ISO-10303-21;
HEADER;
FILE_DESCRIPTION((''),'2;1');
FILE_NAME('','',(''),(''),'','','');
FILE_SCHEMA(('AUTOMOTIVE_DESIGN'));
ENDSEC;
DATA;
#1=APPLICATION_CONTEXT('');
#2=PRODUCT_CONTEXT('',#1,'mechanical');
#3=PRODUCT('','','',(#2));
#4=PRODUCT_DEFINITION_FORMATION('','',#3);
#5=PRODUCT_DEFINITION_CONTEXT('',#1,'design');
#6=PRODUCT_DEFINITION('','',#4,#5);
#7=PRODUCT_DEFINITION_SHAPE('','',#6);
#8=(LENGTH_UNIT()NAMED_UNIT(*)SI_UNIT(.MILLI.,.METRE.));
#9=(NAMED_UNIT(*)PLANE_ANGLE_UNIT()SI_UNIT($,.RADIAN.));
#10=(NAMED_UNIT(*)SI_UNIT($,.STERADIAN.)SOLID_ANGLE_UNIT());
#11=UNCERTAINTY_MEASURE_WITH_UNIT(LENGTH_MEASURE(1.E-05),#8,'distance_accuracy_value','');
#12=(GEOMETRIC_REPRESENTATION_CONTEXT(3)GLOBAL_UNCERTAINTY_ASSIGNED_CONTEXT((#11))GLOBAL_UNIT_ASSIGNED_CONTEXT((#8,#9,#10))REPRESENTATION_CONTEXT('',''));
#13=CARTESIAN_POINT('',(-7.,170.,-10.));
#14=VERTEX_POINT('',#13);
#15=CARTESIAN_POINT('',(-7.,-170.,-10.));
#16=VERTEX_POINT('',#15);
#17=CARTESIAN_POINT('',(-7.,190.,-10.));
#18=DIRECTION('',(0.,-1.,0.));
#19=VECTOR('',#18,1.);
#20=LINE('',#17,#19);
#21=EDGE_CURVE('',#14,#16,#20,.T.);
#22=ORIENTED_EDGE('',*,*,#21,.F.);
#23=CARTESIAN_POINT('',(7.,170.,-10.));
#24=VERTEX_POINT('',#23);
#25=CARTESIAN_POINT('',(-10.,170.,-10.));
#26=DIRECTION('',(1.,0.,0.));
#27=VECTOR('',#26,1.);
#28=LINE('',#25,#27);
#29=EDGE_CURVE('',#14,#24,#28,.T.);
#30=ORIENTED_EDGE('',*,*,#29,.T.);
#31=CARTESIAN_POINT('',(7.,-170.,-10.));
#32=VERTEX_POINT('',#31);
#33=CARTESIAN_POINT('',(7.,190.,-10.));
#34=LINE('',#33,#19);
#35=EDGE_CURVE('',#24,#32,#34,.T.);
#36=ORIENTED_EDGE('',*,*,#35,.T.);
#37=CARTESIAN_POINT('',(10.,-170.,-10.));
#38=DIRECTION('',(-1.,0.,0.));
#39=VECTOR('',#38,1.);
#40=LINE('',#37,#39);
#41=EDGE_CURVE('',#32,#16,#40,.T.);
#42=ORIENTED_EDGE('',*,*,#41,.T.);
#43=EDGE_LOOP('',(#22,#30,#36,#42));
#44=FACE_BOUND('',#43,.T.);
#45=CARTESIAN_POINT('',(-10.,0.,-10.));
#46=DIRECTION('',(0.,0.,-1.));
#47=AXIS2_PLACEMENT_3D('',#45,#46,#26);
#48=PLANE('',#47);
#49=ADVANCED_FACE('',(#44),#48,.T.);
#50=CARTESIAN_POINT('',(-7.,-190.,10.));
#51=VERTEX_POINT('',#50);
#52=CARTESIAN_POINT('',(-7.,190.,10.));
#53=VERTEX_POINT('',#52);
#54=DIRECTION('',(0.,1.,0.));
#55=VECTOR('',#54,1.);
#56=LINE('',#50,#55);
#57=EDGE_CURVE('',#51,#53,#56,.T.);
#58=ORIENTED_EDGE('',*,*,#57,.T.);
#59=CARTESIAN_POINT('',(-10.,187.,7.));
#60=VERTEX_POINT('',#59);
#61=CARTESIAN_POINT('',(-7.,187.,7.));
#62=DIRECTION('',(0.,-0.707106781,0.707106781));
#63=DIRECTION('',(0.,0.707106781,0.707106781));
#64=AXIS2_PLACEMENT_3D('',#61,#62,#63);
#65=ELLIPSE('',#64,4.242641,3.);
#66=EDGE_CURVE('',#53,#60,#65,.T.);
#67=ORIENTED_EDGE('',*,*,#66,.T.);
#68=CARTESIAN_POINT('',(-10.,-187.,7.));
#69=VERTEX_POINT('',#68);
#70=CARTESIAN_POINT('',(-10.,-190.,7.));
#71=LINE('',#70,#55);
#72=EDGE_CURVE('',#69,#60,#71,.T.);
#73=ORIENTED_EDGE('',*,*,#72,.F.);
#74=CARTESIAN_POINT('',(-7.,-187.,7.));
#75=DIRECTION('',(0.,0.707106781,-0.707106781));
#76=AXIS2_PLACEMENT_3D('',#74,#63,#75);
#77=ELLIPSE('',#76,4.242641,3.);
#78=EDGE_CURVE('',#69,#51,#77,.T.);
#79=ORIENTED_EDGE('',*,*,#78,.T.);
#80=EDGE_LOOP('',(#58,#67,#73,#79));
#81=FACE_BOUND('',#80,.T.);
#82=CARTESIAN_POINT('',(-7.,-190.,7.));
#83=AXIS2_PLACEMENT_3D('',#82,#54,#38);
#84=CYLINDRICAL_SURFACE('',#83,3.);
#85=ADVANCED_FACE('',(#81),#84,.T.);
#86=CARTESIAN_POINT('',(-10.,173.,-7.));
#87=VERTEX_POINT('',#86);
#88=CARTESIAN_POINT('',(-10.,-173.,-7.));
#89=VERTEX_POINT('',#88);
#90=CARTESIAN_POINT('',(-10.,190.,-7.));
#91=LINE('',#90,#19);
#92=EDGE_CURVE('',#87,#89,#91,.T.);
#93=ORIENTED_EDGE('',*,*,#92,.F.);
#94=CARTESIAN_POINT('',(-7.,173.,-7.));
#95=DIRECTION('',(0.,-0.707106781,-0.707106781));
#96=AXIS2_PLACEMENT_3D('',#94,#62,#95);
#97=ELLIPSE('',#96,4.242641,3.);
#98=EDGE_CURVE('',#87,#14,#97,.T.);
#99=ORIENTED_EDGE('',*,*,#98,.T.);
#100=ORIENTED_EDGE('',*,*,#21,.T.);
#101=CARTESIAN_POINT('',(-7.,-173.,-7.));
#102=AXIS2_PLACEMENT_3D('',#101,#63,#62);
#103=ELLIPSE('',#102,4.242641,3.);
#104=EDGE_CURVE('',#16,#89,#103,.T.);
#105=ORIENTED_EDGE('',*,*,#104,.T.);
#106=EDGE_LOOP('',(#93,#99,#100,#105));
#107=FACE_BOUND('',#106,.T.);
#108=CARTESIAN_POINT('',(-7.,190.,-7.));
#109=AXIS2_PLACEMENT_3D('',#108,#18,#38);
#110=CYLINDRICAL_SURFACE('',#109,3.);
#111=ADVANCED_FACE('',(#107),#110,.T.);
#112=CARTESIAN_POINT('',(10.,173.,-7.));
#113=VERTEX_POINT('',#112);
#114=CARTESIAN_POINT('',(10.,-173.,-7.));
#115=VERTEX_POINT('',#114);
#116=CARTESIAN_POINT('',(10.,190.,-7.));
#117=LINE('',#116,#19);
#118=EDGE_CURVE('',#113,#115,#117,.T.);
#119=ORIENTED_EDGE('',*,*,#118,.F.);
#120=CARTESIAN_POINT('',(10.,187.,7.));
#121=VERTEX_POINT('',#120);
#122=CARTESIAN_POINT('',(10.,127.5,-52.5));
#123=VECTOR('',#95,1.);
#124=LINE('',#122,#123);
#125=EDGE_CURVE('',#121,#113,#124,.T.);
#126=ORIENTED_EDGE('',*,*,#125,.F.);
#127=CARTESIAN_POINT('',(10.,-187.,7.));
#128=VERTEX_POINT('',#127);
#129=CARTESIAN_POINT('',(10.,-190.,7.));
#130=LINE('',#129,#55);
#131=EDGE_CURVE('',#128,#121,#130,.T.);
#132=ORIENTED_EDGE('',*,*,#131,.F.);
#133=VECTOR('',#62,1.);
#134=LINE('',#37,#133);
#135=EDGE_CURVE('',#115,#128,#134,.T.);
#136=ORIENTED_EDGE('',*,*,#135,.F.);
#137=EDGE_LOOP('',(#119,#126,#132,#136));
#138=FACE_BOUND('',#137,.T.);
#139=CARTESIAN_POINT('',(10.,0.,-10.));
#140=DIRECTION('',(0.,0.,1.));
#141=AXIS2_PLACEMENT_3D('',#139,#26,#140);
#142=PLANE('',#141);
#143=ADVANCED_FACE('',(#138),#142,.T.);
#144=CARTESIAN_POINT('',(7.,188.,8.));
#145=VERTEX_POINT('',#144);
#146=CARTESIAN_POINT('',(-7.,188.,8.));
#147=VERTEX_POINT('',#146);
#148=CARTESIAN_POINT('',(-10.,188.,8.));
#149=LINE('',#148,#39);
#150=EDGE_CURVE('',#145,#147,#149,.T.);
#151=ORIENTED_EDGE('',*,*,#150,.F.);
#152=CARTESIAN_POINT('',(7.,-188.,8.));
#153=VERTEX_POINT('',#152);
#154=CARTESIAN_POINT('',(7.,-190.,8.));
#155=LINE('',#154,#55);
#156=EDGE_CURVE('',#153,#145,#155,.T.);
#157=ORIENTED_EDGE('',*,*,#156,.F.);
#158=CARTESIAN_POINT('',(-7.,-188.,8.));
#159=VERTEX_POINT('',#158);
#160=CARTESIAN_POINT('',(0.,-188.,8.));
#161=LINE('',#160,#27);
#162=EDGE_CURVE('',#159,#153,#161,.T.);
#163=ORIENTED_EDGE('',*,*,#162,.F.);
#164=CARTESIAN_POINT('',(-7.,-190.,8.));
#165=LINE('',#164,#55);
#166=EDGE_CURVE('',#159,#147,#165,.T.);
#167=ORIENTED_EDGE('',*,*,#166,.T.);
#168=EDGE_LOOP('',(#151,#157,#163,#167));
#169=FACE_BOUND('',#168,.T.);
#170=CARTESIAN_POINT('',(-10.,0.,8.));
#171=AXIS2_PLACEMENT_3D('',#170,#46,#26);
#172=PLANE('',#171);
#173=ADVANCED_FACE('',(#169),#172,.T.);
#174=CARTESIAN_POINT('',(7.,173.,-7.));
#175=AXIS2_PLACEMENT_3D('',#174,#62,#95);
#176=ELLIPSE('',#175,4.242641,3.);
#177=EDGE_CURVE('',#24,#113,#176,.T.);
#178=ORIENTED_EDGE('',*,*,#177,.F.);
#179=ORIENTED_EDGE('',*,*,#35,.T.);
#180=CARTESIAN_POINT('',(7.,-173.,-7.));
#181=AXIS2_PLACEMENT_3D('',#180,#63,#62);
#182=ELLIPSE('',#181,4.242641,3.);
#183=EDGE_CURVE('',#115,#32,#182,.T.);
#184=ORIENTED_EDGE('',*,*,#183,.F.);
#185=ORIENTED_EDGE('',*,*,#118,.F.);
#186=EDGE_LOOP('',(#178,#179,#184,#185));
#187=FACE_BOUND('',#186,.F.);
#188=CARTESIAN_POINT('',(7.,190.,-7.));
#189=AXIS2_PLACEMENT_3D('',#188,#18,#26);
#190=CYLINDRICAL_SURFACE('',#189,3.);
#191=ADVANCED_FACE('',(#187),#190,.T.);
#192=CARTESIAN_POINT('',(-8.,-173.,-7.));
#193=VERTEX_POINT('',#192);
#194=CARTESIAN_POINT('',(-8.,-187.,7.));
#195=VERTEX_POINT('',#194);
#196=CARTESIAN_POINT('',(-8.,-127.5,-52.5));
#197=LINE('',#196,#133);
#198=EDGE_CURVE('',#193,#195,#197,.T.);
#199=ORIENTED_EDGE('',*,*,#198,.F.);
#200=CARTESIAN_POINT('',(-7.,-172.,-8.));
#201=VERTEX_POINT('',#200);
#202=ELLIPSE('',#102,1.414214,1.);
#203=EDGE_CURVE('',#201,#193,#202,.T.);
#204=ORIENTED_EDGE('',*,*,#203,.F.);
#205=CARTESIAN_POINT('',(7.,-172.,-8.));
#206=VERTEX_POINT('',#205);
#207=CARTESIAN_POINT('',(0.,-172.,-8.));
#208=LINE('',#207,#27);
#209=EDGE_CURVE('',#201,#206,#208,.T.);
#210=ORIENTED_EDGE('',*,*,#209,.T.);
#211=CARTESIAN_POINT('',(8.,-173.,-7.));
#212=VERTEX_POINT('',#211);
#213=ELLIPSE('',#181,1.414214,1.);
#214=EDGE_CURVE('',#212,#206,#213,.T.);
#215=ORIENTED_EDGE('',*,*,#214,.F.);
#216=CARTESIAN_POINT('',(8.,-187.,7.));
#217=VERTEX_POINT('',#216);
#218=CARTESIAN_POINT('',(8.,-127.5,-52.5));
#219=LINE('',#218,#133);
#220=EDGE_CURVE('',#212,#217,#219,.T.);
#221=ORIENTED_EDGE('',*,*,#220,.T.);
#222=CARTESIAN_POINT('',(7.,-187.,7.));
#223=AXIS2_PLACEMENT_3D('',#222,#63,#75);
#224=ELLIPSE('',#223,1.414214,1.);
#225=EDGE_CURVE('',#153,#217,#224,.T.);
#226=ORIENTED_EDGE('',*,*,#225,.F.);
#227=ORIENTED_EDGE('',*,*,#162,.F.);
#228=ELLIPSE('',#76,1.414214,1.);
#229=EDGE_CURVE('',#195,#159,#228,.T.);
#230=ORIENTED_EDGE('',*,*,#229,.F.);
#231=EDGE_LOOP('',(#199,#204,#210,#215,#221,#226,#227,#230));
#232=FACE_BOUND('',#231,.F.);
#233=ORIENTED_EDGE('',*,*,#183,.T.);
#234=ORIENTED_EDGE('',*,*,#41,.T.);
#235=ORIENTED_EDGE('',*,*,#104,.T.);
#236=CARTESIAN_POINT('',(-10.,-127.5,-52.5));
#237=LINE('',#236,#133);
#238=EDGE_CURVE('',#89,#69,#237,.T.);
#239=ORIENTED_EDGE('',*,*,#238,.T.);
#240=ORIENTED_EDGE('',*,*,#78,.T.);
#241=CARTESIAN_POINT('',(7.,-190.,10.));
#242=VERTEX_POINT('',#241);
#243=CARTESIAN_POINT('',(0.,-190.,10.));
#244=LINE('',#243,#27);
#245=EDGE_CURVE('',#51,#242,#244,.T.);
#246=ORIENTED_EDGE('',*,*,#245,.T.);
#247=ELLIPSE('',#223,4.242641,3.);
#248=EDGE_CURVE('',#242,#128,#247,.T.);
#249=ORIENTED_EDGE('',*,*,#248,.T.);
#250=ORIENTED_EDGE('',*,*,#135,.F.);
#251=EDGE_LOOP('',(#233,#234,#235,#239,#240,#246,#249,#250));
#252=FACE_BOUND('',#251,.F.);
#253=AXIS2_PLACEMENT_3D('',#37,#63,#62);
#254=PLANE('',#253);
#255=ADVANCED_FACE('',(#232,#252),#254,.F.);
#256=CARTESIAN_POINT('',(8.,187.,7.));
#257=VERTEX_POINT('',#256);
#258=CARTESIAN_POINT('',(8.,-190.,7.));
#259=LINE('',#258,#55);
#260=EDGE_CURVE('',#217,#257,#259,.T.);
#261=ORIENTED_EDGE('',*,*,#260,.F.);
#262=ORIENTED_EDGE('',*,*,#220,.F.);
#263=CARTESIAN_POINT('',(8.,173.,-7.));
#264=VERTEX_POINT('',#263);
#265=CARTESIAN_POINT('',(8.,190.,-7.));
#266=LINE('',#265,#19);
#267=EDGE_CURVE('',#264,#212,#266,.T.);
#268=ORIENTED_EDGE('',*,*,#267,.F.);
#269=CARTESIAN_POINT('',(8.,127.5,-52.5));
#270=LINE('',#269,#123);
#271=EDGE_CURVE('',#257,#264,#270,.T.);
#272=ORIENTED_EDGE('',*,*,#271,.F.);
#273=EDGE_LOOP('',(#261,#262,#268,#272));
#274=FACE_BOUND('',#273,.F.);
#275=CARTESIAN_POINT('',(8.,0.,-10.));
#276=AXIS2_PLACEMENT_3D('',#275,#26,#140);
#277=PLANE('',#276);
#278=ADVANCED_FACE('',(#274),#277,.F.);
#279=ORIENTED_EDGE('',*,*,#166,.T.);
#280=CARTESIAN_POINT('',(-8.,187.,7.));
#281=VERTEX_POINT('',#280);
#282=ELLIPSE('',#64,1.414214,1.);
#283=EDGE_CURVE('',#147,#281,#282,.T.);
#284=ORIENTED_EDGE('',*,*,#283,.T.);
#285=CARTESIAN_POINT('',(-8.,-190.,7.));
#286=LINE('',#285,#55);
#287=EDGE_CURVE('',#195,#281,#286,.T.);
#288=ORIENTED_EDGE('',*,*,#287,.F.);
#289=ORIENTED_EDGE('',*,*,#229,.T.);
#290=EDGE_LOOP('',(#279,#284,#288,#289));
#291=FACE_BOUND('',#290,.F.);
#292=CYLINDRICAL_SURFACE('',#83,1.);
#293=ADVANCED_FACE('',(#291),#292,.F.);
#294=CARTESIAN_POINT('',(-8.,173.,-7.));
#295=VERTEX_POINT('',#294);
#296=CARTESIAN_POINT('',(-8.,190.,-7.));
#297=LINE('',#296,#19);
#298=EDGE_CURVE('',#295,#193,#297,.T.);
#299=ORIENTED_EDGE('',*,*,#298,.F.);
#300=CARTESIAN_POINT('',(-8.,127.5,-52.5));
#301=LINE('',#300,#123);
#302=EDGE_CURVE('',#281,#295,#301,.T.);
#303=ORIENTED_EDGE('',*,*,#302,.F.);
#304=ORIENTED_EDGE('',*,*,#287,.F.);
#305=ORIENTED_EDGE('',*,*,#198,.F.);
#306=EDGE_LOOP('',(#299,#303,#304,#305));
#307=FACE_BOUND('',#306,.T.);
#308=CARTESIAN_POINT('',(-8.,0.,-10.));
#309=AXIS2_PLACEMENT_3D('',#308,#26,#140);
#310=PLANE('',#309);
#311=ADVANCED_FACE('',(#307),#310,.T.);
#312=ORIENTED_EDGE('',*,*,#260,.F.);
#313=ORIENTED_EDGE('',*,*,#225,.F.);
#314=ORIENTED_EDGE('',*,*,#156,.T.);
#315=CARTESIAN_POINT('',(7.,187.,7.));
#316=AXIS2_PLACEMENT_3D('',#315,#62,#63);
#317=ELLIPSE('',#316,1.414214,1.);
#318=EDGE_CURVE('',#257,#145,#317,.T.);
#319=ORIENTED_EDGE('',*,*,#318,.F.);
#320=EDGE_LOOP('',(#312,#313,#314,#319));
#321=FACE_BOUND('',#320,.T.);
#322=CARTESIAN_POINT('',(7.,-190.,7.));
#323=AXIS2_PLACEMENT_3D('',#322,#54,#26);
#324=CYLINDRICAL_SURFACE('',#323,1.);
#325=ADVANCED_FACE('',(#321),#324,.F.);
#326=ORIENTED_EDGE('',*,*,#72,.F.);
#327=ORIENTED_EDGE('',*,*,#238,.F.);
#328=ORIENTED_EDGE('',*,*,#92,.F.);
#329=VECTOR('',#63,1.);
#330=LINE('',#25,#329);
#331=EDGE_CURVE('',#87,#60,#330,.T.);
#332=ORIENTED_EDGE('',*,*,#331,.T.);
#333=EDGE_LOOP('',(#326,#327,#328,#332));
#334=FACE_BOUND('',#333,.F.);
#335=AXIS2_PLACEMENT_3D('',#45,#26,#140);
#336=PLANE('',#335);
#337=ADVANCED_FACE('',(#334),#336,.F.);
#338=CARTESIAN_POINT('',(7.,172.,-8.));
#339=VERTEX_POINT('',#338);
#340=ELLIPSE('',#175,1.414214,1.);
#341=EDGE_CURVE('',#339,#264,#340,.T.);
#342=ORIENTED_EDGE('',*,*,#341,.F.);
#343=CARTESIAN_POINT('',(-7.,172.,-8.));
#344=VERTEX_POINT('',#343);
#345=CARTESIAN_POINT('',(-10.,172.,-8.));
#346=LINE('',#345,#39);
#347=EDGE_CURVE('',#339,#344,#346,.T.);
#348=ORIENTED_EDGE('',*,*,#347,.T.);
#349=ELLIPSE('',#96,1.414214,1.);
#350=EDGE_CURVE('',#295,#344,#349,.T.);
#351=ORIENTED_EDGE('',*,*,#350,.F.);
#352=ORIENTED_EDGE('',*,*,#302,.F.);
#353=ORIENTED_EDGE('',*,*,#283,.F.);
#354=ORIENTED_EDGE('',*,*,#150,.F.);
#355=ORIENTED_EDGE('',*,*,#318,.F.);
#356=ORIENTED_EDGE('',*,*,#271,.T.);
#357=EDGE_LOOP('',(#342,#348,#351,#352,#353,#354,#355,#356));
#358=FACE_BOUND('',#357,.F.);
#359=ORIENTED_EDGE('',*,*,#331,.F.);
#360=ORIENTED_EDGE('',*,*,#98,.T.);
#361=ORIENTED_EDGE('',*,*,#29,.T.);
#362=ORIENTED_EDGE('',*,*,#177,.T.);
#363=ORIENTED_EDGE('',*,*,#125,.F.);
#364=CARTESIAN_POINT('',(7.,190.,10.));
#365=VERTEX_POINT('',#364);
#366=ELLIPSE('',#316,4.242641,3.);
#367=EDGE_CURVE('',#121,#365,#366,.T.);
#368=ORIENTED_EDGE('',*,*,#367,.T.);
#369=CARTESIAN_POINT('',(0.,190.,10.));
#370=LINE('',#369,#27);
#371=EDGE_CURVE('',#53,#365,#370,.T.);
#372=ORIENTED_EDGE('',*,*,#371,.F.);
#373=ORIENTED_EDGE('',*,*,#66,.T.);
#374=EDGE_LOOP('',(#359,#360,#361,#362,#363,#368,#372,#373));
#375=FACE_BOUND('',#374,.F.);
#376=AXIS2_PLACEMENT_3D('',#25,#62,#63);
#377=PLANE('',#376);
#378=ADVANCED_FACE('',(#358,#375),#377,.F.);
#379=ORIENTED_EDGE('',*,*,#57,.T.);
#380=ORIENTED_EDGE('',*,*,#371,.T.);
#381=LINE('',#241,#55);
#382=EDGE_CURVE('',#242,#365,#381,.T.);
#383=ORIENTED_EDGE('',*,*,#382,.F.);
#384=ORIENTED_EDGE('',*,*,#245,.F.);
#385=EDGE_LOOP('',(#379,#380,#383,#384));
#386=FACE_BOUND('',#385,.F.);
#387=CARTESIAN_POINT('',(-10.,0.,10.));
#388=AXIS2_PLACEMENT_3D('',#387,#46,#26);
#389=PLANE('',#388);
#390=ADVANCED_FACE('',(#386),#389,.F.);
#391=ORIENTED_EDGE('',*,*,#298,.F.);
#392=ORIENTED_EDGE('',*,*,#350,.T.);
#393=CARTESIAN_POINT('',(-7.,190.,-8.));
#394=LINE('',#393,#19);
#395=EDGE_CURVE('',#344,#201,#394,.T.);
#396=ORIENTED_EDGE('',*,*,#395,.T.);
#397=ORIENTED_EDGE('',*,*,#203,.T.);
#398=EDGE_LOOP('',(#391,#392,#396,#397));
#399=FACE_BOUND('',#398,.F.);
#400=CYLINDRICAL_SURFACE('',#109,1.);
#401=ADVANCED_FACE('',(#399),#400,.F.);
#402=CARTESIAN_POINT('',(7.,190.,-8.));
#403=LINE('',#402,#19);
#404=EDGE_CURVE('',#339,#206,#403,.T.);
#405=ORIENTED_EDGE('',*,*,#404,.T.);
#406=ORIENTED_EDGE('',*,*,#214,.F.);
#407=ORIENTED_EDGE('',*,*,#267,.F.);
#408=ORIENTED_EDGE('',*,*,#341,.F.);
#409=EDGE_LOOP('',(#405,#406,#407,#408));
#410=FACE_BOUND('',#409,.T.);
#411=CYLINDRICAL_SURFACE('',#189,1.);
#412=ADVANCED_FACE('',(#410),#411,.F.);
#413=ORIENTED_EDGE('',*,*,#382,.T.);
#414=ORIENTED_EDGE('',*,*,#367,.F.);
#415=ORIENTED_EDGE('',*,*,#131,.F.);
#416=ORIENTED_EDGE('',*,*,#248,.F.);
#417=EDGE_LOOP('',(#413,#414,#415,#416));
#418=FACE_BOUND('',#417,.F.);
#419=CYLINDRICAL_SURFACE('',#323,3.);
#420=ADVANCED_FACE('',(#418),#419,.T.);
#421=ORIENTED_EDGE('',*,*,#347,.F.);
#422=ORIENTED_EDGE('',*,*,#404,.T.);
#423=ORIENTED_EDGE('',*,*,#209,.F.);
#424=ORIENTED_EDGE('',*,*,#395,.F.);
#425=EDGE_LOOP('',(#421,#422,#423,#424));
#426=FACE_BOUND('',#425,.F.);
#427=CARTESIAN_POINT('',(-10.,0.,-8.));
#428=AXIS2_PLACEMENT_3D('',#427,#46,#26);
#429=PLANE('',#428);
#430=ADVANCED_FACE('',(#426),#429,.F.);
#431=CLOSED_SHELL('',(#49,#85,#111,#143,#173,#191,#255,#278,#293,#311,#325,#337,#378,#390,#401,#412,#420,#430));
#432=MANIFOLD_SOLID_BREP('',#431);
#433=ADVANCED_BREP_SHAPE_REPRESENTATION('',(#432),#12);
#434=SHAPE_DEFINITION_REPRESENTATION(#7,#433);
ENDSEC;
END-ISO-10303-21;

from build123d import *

# Parameters (mm, degrees)
F2_W     = 20
F2_H     = 20
F3_DEPTH = 190
F4_R     = 3
F5_T     = -2
F7_DEPTH = 20.001
F9_DEPTH = 20.001


with BuildPart() as f3:
    # F2 (on Front) → F3 (new body, symmetric)
    with BuildSketch(Plane.XZ):
        Rectangle(F2_W, F2_H)
    extrude(amount=F3_DEPTH, both=True)

    # F4
    f4_edges = [f3.edges().sort_by_distance(p)[0] for p in [
        (10, 0, 10),
        (-10, 0, 10),
        (10, 0, -10),
        (-10, 0, -10),
    ]]
    fillet(f4_edges, radius=F4_R)

    # F5
    f5_openings = [f3.faces().sort_by_distance(p)[0] for p in [
        (0, -190, 0),
        (0, 190, 0),
    ]]
    offset(amount=F5_T, openings=f5_openings)

    # F6 (on face) → F7 (cut, through all)
    with BuildSketch(Plane(origin=(-10, 0, 0), x_dir=(0, -1, 0), z_dir=(-1, 0, 0))):
        Polygon((-190, 10), (-190, -10), (-170, -10), align=None)
    extrude(amount=-F7_DEPTH, mode=Mode.SUBTRACT)

    # F8 (on face) → F9 (cut, through all)
    with BuildSketch(Plane.YZ.offset(10)):
        Polygon((-190, -10), (-170, -10), (-190, 10), align=None)
    extrude(amount=-F9_DEPTH, mode=Mode.SUBTRACT)


solid = f3.part
